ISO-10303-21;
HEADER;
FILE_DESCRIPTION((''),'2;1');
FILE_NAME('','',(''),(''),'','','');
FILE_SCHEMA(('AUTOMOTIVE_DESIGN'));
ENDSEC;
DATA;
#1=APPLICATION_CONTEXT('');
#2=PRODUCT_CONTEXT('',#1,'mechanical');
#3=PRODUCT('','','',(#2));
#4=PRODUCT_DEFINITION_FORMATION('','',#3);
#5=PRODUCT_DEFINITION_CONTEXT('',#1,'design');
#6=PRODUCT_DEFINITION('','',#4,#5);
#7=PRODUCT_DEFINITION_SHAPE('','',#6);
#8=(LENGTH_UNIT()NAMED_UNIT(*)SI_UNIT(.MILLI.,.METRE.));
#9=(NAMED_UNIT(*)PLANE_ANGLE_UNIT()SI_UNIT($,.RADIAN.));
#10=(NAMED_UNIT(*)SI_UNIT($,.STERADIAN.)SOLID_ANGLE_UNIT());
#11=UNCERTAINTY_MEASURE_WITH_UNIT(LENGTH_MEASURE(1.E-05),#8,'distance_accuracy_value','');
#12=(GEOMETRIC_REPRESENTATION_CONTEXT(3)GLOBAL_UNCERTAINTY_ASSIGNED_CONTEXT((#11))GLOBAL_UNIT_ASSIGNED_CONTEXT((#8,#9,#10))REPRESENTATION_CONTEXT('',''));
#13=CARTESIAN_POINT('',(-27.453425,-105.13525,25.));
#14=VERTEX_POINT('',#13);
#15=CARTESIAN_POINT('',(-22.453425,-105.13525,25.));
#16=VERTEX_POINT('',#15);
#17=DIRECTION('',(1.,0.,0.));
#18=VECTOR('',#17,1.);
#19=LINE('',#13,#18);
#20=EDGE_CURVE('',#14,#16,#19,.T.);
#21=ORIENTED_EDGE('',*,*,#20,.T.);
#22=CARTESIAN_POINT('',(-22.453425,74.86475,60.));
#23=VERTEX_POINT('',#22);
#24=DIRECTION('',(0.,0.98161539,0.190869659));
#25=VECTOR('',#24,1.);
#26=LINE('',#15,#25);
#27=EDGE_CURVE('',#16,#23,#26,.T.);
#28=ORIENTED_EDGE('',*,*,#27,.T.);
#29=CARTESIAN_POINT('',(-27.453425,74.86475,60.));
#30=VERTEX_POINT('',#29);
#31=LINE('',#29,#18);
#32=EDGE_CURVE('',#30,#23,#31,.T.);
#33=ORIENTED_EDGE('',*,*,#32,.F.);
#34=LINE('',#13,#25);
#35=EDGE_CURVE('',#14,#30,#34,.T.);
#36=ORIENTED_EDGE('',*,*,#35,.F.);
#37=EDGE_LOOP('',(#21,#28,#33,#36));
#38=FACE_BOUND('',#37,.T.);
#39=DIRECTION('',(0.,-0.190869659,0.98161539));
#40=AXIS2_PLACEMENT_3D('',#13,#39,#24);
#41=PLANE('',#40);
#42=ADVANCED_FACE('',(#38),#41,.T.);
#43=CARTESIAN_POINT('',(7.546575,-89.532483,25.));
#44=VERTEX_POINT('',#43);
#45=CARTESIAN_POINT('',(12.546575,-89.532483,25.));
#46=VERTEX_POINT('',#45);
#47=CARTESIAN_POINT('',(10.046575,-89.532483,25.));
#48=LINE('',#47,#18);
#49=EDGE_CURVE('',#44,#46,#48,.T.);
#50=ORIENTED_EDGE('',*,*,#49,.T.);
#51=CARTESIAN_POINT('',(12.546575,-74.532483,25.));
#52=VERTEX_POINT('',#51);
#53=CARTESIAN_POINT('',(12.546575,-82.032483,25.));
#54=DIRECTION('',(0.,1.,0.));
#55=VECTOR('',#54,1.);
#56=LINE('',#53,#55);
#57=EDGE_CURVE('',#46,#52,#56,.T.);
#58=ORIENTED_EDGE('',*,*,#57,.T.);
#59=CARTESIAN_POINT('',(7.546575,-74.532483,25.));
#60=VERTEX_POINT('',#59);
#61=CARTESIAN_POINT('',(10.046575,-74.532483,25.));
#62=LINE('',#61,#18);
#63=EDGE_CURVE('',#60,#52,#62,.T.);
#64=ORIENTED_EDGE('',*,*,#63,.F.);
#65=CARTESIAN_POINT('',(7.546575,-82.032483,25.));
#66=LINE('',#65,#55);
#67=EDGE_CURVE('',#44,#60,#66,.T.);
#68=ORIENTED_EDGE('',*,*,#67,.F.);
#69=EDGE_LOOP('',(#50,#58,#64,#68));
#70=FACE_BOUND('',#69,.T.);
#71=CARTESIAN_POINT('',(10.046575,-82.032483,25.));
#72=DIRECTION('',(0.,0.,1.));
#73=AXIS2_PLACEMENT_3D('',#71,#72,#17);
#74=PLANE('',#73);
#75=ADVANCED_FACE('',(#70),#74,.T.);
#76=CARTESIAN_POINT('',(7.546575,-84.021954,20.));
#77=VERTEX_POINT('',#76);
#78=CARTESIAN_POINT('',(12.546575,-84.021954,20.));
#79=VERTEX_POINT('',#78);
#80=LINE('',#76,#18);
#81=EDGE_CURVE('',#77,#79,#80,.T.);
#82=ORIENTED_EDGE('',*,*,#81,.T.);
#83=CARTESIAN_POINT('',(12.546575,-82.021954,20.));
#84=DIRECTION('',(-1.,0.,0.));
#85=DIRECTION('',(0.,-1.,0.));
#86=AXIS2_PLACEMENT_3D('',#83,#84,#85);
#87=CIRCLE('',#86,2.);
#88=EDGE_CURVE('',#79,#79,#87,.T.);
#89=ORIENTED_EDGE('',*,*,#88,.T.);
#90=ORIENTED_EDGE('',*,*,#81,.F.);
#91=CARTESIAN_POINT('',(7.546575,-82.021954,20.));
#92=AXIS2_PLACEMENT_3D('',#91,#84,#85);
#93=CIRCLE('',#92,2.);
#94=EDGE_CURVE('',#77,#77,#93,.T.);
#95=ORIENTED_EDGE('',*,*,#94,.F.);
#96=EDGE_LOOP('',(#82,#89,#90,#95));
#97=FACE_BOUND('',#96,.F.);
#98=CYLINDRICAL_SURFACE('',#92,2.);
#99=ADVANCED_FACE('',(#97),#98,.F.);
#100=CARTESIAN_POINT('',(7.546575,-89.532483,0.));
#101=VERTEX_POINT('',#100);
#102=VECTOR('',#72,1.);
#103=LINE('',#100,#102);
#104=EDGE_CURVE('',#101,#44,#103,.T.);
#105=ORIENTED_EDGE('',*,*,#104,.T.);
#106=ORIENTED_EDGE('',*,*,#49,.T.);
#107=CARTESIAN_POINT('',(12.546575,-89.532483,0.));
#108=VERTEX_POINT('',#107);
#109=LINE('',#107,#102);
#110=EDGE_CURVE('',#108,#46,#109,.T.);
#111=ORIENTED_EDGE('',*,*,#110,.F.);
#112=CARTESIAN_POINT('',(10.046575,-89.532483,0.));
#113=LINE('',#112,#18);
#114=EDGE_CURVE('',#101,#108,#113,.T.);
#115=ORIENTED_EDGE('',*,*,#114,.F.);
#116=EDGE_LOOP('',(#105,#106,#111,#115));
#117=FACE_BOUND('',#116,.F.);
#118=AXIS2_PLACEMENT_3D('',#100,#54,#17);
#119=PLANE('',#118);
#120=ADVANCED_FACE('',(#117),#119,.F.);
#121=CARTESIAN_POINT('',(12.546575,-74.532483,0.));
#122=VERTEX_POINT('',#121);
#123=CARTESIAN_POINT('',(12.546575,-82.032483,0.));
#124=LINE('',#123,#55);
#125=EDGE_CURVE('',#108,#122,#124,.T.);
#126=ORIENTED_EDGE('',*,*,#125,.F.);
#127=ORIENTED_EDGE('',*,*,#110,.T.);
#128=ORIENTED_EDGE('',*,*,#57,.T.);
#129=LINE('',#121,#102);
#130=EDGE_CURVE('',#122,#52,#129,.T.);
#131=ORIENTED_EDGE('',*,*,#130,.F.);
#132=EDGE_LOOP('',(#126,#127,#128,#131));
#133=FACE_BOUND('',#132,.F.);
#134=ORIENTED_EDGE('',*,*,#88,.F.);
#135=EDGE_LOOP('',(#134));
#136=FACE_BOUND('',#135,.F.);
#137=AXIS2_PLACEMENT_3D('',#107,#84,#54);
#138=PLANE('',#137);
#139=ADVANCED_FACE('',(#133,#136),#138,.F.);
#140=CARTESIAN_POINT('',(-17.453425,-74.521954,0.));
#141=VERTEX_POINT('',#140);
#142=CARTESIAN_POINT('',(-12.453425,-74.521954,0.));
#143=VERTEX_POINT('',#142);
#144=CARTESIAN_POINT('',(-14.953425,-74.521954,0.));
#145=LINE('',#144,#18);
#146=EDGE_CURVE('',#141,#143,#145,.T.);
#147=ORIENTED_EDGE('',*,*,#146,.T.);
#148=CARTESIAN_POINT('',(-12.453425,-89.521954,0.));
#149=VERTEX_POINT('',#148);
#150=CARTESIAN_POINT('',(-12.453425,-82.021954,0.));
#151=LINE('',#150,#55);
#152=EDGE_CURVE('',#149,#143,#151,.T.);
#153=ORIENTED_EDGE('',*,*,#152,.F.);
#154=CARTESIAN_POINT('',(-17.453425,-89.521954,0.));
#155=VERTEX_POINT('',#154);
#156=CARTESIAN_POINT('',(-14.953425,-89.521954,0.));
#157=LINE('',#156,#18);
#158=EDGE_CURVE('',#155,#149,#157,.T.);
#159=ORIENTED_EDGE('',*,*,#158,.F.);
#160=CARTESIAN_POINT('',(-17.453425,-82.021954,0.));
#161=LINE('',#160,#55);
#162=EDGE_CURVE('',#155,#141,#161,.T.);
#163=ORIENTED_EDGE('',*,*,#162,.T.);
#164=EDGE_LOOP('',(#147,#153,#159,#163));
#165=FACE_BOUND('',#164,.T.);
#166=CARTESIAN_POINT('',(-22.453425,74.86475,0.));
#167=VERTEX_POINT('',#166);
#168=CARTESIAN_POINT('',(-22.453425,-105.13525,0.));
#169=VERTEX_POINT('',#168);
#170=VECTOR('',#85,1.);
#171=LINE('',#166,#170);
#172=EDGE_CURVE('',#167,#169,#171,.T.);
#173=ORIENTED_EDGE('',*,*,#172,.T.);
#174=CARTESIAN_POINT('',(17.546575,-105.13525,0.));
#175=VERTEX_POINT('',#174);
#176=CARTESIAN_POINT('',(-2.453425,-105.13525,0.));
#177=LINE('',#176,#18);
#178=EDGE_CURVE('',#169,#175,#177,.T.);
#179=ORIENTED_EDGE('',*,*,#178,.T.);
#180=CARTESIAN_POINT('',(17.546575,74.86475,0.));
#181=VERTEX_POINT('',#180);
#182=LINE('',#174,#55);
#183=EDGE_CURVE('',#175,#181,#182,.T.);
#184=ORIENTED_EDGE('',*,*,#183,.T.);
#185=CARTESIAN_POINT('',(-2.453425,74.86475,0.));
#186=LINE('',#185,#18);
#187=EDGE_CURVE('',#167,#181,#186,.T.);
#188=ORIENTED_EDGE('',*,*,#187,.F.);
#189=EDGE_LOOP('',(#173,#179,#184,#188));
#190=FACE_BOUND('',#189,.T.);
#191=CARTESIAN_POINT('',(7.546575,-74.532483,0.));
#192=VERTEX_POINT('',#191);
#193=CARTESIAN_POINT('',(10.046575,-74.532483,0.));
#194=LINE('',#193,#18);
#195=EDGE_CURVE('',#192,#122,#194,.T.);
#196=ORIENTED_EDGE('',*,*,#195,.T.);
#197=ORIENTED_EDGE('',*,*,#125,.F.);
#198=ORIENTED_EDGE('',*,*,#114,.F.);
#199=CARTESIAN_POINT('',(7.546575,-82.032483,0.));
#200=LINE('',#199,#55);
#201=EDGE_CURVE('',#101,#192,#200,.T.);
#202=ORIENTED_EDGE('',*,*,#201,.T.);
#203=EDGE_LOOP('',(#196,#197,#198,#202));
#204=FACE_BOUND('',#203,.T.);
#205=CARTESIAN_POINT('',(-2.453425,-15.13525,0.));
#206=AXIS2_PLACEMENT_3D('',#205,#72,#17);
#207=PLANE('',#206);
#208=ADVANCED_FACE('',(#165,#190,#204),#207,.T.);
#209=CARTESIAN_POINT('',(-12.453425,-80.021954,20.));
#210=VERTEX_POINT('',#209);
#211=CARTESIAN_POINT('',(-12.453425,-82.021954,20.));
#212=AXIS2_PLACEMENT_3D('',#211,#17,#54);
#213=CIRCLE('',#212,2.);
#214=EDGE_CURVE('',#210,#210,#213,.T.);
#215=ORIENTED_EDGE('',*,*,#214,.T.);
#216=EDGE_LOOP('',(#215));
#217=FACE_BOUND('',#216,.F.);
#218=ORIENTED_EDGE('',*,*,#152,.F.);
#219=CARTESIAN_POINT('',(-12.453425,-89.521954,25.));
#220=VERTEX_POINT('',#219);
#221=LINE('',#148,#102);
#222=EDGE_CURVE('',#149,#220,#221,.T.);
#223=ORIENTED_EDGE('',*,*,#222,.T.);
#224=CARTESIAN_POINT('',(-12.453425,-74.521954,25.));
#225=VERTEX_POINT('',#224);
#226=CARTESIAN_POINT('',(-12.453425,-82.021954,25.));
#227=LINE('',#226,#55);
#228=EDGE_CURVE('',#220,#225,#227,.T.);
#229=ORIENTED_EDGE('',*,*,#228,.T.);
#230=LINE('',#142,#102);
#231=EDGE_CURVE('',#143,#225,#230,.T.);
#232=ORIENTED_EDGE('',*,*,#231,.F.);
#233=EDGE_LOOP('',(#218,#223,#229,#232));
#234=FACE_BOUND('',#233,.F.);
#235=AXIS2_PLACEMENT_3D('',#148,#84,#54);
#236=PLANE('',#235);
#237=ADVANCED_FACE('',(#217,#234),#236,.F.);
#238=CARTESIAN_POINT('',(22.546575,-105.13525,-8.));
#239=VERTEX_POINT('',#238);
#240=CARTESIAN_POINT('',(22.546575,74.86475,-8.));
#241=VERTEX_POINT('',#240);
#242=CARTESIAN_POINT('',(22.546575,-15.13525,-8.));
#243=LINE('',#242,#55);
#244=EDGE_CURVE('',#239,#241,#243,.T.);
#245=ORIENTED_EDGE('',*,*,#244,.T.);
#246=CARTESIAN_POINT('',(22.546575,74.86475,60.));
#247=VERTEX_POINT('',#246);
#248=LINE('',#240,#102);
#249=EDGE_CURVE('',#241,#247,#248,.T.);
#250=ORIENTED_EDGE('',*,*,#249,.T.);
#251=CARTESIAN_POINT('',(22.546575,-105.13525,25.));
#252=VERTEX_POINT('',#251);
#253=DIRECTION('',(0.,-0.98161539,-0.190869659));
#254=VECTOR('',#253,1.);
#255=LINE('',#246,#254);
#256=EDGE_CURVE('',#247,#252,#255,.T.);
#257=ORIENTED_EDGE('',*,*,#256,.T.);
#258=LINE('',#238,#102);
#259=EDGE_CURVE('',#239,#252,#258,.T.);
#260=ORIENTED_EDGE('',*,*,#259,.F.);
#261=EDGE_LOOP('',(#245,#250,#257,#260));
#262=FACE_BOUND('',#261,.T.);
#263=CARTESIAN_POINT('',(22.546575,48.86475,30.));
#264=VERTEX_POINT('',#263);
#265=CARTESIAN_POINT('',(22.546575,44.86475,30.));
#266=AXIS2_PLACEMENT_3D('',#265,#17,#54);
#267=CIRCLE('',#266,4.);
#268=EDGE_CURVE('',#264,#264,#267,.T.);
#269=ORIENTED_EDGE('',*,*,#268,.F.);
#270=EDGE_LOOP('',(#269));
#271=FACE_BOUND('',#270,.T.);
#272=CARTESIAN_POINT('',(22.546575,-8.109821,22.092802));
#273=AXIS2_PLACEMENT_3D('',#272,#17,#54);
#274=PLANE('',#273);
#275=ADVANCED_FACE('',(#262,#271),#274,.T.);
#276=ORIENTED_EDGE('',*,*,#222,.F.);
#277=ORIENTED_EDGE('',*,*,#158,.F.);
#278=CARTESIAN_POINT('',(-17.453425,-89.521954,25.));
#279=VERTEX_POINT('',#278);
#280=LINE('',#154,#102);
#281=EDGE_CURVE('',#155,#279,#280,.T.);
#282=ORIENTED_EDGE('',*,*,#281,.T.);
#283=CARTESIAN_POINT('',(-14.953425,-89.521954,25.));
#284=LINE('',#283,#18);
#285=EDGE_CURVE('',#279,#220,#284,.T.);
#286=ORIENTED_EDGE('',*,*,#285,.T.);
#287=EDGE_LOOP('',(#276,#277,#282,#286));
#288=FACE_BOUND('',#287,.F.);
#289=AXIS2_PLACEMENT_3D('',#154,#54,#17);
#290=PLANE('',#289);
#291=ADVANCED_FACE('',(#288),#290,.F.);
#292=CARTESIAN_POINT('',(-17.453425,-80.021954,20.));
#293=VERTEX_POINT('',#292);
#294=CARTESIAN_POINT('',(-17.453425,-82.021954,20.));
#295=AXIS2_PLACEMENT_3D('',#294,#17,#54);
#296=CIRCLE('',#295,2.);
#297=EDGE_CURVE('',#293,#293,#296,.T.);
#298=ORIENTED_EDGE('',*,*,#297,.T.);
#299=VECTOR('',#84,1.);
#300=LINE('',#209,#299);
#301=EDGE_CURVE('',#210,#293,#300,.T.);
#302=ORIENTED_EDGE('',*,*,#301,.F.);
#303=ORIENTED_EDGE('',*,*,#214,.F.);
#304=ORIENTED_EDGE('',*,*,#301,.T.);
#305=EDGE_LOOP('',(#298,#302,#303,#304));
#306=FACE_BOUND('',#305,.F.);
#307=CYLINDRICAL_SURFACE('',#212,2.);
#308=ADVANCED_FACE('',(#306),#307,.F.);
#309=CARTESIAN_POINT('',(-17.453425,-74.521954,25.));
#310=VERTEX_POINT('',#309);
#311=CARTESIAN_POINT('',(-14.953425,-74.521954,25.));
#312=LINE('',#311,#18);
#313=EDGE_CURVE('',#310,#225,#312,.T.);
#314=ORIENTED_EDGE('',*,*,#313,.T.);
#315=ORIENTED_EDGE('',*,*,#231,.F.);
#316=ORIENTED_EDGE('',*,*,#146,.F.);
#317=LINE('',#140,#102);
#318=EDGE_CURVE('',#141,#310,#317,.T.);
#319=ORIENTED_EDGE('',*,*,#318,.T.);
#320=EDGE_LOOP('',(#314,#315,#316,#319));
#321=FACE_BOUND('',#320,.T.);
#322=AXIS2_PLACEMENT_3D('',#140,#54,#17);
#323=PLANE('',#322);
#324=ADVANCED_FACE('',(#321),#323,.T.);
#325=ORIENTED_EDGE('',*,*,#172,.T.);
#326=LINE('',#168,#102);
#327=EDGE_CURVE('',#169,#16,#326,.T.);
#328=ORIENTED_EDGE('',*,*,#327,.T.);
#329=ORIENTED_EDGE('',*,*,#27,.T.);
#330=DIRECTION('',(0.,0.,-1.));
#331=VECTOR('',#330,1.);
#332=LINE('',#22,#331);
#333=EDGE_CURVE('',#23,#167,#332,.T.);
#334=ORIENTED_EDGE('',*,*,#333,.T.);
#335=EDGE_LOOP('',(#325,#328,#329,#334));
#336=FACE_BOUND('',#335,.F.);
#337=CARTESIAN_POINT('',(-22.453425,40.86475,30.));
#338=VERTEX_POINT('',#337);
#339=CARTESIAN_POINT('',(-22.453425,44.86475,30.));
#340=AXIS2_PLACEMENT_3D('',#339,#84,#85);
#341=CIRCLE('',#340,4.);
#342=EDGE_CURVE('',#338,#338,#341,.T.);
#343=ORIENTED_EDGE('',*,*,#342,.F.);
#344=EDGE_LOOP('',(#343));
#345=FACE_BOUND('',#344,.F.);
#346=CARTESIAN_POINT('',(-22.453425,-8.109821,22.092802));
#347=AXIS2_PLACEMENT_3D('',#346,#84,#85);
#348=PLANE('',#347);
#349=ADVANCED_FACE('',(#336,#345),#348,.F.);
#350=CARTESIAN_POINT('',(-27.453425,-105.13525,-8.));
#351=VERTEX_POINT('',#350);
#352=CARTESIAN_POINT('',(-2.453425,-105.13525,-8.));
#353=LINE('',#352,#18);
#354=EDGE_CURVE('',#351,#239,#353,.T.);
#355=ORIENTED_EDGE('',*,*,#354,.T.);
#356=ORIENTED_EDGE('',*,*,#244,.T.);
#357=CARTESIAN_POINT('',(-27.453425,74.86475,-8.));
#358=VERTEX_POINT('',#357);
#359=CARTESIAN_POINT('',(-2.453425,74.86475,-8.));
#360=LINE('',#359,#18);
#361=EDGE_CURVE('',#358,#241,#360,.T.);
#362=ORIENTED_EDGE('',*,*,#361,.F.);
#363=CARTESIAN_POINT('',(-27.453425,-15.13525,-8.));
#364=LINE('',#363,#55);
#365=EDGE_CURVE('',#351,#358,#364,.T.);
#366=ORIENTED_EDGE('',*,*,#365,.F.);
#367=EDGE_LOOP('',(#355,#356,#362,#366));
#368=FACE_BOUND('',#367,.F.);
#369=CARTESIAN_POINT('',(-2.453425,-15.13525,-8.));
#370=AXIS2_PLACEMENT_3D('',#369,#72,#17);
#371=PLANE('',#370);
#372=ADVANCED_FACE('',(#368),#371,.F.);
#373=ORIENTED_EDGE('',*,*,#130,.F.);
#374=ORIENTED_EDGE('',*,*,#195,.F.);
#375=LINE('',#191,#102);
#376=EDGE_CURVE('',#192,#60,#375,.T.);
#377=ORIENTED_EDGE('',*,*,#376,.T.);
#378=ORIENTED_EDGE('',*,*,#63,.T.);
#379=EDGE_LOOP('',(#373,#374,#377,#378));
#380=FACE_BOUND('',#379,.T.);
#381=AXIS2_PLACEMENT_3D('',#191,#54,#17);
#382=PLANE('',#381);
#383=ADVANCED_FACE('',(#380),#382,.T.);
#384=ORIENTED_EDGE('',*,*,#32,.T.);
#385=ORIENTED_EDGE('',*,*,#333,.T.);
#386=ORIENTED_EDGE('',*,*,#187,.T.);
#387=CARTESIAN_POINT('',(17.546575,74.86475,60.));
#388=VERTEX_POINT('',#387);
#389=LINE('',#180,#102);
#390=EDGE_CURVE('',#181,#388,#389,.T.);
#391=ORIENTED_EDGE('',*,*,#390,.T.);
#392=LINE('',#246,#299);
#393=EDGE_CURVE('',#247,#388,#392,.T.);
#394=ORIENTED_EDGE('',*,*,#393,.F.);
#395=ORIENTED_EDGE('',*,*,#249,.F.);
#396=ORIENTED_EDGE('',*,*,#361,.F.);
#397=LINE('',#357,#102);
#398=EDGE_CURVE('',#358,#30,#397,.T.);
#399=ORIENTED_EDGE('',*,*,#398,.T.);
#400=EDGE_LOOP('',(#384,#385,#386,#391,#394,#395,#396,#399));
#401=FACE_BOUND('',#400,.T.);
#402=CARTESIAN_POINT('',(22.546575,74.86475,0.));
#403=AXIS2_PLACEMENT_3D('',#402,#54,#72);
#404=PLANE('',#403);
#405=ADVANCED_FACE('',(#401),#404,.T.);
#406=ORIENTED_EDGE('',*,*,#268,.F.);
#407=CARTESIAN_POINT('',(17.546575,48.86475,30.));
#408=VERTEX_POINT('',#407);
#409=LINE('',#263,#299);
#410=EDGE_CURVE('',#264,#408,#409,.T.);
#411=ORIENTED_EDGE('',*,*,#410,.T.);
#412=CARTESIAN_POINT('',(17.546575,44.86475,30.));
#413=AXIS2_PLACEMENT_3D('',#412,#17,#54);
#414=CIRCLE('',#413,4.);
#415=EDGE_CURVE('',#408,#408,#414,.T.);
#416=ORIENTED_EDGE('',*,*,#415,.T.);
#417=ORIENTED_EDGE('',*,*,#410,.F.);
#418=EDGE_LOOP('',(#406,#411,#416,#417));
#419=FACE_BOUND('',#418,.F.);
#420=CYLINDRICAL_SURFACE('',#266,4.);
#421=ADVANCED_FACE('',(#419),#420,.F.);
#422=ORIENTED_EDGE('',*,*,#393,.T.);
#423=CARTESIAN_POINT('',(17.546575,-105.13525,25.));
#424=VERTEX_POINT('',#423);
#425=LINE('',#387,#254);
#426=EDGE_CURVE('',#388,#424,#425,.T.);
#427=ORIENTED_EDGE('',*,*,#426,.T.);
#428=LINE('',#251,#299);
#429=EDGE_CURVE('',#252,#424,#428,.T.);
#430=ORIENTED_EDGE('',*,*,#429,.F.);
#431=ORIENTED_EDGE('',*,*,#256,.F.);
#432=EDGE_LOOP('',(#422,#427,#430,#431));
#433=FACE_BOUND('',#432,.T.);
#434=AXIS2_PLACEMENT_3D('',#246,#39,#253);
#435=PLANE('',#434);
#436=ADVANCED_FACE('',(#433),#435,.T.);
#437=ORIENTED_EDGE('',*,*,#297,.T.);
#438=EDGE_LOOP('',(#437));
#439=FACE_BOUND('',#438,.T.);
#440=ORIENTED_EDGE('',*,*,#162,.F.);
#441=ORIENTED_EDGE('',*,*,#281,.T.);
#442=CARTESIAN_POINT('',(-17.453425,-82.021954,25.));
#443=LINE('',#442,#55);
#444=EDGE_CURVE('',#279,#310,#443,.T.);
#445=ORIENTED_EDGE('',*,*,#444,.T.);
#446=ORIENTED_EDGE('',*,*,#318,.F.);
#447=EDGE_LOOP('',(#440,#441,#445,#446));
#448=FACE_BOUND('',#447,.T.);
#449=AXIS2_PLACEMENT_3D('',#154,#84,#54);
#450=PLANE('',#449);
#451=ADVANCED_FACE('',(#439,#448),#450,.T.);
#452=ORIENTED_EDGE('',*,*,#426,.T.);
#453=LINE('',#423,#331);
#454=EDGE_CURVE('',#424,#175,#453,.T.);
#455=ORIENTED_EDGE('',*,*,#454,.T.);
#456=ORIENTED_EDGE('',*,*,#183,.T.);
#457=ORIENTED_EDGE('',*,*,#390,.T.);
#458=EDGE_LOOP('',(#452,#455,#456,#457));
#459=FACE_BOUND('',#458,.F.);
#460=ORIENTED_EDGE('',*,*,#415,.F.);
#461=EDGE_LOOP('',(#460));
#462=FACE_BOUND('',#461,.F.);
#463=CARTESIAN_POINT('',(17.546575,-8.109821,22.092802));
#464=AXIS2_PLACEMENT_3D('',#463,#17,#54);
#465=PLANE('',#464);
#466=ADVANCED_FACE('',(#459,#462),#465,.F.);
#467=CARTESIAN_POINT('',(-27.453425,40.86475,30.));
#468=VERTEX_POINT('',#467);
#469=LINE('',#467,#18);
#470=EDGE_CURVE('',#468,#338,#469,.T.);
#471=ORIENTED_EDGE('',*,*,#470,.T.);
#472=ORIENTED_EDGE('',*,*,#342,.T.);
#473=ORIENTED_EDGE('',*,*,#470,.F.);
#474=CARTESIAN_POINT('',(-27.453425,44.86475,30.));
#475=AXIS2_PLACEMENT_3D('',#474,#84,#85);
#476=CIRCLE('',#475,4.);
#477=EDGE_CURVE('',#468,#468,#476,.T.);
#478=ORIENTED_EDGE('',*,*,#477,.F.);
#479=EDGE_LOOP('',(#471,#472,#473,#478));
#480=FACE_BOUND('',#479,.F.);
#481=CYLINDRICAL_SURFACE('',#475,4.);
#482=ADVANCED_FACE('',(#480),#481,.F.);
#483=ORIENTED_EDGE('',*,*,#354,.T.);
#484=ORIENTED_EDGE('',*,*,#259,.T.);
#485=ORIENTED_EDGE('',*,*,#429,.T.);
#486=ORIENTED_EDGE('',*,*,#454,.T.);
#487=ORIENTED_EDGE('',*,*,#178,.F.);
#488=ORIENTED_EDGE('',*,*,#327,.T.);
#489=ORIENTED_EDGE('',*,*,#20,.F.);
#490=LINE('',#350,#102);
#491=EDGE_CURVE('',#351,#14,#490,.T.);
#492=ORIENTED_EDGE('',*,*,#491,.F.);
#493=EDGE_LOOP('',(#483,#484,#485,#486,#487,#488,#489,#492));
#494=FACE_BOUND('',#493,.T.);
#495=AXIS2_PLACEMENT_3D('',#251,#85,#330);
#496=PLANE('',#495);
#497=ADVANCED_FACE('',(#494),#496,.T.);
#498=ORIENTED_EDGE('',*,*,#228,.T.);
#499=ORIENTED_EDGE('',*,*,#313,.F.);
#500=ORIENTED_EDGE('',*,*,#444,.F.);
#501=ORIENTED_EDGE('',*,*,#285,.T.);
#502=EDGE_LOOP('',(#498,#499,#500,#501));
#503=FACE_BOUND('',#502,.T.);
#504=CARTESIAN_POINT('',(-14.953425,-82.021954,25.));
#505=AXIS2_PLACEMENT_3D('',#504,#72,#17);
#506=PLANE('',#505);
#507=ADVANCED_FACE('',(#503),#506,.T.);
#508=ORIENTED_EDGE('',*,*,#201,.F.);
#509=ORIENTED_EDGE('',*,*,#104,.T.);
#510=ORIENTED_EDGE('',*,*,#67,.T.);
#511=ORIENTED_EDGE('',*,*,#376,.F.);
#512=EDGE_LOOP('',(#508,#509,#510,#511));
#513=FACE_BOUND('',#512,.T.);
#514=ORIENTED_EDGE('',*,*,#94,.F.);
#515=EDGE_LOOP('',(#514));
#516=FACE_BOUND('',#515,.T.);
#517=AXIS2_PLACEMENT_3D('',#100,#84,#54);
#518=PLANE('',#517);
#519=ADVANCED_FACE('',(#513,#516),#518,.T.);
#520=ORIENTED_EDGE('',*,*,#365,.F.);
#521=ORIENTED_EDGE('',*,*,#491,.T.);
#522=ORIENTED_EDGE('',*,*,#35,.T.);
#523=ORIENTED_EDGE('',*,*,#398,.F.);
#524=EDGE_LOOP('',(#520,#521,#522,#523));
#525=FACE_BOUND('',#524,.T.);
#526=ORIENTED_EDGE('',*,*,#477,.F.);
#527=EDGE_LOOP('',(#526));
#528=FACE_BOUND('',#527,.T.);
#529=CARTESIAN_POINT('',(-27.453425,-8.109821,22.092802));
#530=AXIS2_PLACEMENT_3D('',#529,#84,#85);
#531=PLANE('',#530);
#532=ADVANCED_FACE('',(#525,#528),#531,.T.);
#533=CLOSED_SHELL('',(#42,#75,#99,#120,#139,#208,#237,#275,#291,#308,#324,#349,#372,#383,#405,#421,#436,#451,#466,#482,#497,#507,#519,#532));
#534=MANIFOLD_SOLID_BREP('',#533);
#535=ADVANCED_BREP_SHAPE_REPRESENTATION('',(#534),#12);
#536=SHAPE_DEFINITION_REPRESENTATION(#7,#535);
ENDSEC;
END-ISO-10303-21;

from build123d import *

# Parameters (mm, degrees)
F0_W      = 50
F0_H      = 180
F1_DEPTH  = 8
F2_R      = 4
F3_DEPTH  = 5
F4_R      = 4
F5_DEPTH  = 5
F6_W      = 5
F6_H      = 15
F7_DEPTH  = 25
F8_R      = 2
F9_DEPTH  = 5
F10_R     = 2
F11_DEPTH = 5


with BuildPart() as f1:
    # F0 (on Top) → F1 (new body)
    with BuildSketch(Plane.XY):
        with Locations((-2.453425, -15.13525)):
            Rectangle(F0_W, F0_H)
    extrude(amount=-F1_DEPTH)

    # F2 (on face) → F3 (join)
    with BuildSketch(Plane(origin=(-27.453425, 0, 0), x_dir=(0, -1, 0), z_dir=(-1, 0, 0))):
        Polygon((-74.86475, 60), (-74.86475, 0), (105.13525, 0), (105.13525, 25), align=None)
        with Locations((-44.86475, 30)):
            Circle(F2_R, mode=Mode.SUBTRACT)
    extrude(amount=-F3_DEPTH)

    # F4 (on face) → F5 (join)
    with BuildSketch(Plane.YZ.offset(22.546575)):
        Polygon((-105.13525, 25), (-105.13525, 0), (74.86475, 0), (74.86475, 60), align=None)
        with Locations((44.86475, 30)):
            Circle(F4_R, mode=Mode.SUBTRACT)
    extrude(amount=-F5_DEPTH)

    # F6 (on face) → F7 (join)
    with BuildSketch(Plane.XY):
        with Locations((-14.953425, -82.021954)):
            Rectangle(F6_W, F6_H)
        with Locations((10.046575, -82.032483)):
            Rectangle(F6_W, F6_H)
    extrude(amount=F7_DEPTH)

    # F8 (on face) → F9 (cut)
    with BuildSketch(Plane.YZ.offset(-12.453425)):
        with Locations((-82.021954, 20)):
            Circle(F8_R)
    extrude(amount=-F9_DEPTH, mode=Mode.SUBTRACT)

    # F10 (on face) → F11 (cut)
    with BuildSketch(Plane(origin=(7.546575, 0, 0), x_dir=(0, -1, 0), z_dir=(-1, 0, 0))):
        with Locations((82.021954, 20)):
            Circle(F10_R)
    extrude(amount=-F11_DEPTH, mode=Mode.SUBTRACT)


solid = f1.part
